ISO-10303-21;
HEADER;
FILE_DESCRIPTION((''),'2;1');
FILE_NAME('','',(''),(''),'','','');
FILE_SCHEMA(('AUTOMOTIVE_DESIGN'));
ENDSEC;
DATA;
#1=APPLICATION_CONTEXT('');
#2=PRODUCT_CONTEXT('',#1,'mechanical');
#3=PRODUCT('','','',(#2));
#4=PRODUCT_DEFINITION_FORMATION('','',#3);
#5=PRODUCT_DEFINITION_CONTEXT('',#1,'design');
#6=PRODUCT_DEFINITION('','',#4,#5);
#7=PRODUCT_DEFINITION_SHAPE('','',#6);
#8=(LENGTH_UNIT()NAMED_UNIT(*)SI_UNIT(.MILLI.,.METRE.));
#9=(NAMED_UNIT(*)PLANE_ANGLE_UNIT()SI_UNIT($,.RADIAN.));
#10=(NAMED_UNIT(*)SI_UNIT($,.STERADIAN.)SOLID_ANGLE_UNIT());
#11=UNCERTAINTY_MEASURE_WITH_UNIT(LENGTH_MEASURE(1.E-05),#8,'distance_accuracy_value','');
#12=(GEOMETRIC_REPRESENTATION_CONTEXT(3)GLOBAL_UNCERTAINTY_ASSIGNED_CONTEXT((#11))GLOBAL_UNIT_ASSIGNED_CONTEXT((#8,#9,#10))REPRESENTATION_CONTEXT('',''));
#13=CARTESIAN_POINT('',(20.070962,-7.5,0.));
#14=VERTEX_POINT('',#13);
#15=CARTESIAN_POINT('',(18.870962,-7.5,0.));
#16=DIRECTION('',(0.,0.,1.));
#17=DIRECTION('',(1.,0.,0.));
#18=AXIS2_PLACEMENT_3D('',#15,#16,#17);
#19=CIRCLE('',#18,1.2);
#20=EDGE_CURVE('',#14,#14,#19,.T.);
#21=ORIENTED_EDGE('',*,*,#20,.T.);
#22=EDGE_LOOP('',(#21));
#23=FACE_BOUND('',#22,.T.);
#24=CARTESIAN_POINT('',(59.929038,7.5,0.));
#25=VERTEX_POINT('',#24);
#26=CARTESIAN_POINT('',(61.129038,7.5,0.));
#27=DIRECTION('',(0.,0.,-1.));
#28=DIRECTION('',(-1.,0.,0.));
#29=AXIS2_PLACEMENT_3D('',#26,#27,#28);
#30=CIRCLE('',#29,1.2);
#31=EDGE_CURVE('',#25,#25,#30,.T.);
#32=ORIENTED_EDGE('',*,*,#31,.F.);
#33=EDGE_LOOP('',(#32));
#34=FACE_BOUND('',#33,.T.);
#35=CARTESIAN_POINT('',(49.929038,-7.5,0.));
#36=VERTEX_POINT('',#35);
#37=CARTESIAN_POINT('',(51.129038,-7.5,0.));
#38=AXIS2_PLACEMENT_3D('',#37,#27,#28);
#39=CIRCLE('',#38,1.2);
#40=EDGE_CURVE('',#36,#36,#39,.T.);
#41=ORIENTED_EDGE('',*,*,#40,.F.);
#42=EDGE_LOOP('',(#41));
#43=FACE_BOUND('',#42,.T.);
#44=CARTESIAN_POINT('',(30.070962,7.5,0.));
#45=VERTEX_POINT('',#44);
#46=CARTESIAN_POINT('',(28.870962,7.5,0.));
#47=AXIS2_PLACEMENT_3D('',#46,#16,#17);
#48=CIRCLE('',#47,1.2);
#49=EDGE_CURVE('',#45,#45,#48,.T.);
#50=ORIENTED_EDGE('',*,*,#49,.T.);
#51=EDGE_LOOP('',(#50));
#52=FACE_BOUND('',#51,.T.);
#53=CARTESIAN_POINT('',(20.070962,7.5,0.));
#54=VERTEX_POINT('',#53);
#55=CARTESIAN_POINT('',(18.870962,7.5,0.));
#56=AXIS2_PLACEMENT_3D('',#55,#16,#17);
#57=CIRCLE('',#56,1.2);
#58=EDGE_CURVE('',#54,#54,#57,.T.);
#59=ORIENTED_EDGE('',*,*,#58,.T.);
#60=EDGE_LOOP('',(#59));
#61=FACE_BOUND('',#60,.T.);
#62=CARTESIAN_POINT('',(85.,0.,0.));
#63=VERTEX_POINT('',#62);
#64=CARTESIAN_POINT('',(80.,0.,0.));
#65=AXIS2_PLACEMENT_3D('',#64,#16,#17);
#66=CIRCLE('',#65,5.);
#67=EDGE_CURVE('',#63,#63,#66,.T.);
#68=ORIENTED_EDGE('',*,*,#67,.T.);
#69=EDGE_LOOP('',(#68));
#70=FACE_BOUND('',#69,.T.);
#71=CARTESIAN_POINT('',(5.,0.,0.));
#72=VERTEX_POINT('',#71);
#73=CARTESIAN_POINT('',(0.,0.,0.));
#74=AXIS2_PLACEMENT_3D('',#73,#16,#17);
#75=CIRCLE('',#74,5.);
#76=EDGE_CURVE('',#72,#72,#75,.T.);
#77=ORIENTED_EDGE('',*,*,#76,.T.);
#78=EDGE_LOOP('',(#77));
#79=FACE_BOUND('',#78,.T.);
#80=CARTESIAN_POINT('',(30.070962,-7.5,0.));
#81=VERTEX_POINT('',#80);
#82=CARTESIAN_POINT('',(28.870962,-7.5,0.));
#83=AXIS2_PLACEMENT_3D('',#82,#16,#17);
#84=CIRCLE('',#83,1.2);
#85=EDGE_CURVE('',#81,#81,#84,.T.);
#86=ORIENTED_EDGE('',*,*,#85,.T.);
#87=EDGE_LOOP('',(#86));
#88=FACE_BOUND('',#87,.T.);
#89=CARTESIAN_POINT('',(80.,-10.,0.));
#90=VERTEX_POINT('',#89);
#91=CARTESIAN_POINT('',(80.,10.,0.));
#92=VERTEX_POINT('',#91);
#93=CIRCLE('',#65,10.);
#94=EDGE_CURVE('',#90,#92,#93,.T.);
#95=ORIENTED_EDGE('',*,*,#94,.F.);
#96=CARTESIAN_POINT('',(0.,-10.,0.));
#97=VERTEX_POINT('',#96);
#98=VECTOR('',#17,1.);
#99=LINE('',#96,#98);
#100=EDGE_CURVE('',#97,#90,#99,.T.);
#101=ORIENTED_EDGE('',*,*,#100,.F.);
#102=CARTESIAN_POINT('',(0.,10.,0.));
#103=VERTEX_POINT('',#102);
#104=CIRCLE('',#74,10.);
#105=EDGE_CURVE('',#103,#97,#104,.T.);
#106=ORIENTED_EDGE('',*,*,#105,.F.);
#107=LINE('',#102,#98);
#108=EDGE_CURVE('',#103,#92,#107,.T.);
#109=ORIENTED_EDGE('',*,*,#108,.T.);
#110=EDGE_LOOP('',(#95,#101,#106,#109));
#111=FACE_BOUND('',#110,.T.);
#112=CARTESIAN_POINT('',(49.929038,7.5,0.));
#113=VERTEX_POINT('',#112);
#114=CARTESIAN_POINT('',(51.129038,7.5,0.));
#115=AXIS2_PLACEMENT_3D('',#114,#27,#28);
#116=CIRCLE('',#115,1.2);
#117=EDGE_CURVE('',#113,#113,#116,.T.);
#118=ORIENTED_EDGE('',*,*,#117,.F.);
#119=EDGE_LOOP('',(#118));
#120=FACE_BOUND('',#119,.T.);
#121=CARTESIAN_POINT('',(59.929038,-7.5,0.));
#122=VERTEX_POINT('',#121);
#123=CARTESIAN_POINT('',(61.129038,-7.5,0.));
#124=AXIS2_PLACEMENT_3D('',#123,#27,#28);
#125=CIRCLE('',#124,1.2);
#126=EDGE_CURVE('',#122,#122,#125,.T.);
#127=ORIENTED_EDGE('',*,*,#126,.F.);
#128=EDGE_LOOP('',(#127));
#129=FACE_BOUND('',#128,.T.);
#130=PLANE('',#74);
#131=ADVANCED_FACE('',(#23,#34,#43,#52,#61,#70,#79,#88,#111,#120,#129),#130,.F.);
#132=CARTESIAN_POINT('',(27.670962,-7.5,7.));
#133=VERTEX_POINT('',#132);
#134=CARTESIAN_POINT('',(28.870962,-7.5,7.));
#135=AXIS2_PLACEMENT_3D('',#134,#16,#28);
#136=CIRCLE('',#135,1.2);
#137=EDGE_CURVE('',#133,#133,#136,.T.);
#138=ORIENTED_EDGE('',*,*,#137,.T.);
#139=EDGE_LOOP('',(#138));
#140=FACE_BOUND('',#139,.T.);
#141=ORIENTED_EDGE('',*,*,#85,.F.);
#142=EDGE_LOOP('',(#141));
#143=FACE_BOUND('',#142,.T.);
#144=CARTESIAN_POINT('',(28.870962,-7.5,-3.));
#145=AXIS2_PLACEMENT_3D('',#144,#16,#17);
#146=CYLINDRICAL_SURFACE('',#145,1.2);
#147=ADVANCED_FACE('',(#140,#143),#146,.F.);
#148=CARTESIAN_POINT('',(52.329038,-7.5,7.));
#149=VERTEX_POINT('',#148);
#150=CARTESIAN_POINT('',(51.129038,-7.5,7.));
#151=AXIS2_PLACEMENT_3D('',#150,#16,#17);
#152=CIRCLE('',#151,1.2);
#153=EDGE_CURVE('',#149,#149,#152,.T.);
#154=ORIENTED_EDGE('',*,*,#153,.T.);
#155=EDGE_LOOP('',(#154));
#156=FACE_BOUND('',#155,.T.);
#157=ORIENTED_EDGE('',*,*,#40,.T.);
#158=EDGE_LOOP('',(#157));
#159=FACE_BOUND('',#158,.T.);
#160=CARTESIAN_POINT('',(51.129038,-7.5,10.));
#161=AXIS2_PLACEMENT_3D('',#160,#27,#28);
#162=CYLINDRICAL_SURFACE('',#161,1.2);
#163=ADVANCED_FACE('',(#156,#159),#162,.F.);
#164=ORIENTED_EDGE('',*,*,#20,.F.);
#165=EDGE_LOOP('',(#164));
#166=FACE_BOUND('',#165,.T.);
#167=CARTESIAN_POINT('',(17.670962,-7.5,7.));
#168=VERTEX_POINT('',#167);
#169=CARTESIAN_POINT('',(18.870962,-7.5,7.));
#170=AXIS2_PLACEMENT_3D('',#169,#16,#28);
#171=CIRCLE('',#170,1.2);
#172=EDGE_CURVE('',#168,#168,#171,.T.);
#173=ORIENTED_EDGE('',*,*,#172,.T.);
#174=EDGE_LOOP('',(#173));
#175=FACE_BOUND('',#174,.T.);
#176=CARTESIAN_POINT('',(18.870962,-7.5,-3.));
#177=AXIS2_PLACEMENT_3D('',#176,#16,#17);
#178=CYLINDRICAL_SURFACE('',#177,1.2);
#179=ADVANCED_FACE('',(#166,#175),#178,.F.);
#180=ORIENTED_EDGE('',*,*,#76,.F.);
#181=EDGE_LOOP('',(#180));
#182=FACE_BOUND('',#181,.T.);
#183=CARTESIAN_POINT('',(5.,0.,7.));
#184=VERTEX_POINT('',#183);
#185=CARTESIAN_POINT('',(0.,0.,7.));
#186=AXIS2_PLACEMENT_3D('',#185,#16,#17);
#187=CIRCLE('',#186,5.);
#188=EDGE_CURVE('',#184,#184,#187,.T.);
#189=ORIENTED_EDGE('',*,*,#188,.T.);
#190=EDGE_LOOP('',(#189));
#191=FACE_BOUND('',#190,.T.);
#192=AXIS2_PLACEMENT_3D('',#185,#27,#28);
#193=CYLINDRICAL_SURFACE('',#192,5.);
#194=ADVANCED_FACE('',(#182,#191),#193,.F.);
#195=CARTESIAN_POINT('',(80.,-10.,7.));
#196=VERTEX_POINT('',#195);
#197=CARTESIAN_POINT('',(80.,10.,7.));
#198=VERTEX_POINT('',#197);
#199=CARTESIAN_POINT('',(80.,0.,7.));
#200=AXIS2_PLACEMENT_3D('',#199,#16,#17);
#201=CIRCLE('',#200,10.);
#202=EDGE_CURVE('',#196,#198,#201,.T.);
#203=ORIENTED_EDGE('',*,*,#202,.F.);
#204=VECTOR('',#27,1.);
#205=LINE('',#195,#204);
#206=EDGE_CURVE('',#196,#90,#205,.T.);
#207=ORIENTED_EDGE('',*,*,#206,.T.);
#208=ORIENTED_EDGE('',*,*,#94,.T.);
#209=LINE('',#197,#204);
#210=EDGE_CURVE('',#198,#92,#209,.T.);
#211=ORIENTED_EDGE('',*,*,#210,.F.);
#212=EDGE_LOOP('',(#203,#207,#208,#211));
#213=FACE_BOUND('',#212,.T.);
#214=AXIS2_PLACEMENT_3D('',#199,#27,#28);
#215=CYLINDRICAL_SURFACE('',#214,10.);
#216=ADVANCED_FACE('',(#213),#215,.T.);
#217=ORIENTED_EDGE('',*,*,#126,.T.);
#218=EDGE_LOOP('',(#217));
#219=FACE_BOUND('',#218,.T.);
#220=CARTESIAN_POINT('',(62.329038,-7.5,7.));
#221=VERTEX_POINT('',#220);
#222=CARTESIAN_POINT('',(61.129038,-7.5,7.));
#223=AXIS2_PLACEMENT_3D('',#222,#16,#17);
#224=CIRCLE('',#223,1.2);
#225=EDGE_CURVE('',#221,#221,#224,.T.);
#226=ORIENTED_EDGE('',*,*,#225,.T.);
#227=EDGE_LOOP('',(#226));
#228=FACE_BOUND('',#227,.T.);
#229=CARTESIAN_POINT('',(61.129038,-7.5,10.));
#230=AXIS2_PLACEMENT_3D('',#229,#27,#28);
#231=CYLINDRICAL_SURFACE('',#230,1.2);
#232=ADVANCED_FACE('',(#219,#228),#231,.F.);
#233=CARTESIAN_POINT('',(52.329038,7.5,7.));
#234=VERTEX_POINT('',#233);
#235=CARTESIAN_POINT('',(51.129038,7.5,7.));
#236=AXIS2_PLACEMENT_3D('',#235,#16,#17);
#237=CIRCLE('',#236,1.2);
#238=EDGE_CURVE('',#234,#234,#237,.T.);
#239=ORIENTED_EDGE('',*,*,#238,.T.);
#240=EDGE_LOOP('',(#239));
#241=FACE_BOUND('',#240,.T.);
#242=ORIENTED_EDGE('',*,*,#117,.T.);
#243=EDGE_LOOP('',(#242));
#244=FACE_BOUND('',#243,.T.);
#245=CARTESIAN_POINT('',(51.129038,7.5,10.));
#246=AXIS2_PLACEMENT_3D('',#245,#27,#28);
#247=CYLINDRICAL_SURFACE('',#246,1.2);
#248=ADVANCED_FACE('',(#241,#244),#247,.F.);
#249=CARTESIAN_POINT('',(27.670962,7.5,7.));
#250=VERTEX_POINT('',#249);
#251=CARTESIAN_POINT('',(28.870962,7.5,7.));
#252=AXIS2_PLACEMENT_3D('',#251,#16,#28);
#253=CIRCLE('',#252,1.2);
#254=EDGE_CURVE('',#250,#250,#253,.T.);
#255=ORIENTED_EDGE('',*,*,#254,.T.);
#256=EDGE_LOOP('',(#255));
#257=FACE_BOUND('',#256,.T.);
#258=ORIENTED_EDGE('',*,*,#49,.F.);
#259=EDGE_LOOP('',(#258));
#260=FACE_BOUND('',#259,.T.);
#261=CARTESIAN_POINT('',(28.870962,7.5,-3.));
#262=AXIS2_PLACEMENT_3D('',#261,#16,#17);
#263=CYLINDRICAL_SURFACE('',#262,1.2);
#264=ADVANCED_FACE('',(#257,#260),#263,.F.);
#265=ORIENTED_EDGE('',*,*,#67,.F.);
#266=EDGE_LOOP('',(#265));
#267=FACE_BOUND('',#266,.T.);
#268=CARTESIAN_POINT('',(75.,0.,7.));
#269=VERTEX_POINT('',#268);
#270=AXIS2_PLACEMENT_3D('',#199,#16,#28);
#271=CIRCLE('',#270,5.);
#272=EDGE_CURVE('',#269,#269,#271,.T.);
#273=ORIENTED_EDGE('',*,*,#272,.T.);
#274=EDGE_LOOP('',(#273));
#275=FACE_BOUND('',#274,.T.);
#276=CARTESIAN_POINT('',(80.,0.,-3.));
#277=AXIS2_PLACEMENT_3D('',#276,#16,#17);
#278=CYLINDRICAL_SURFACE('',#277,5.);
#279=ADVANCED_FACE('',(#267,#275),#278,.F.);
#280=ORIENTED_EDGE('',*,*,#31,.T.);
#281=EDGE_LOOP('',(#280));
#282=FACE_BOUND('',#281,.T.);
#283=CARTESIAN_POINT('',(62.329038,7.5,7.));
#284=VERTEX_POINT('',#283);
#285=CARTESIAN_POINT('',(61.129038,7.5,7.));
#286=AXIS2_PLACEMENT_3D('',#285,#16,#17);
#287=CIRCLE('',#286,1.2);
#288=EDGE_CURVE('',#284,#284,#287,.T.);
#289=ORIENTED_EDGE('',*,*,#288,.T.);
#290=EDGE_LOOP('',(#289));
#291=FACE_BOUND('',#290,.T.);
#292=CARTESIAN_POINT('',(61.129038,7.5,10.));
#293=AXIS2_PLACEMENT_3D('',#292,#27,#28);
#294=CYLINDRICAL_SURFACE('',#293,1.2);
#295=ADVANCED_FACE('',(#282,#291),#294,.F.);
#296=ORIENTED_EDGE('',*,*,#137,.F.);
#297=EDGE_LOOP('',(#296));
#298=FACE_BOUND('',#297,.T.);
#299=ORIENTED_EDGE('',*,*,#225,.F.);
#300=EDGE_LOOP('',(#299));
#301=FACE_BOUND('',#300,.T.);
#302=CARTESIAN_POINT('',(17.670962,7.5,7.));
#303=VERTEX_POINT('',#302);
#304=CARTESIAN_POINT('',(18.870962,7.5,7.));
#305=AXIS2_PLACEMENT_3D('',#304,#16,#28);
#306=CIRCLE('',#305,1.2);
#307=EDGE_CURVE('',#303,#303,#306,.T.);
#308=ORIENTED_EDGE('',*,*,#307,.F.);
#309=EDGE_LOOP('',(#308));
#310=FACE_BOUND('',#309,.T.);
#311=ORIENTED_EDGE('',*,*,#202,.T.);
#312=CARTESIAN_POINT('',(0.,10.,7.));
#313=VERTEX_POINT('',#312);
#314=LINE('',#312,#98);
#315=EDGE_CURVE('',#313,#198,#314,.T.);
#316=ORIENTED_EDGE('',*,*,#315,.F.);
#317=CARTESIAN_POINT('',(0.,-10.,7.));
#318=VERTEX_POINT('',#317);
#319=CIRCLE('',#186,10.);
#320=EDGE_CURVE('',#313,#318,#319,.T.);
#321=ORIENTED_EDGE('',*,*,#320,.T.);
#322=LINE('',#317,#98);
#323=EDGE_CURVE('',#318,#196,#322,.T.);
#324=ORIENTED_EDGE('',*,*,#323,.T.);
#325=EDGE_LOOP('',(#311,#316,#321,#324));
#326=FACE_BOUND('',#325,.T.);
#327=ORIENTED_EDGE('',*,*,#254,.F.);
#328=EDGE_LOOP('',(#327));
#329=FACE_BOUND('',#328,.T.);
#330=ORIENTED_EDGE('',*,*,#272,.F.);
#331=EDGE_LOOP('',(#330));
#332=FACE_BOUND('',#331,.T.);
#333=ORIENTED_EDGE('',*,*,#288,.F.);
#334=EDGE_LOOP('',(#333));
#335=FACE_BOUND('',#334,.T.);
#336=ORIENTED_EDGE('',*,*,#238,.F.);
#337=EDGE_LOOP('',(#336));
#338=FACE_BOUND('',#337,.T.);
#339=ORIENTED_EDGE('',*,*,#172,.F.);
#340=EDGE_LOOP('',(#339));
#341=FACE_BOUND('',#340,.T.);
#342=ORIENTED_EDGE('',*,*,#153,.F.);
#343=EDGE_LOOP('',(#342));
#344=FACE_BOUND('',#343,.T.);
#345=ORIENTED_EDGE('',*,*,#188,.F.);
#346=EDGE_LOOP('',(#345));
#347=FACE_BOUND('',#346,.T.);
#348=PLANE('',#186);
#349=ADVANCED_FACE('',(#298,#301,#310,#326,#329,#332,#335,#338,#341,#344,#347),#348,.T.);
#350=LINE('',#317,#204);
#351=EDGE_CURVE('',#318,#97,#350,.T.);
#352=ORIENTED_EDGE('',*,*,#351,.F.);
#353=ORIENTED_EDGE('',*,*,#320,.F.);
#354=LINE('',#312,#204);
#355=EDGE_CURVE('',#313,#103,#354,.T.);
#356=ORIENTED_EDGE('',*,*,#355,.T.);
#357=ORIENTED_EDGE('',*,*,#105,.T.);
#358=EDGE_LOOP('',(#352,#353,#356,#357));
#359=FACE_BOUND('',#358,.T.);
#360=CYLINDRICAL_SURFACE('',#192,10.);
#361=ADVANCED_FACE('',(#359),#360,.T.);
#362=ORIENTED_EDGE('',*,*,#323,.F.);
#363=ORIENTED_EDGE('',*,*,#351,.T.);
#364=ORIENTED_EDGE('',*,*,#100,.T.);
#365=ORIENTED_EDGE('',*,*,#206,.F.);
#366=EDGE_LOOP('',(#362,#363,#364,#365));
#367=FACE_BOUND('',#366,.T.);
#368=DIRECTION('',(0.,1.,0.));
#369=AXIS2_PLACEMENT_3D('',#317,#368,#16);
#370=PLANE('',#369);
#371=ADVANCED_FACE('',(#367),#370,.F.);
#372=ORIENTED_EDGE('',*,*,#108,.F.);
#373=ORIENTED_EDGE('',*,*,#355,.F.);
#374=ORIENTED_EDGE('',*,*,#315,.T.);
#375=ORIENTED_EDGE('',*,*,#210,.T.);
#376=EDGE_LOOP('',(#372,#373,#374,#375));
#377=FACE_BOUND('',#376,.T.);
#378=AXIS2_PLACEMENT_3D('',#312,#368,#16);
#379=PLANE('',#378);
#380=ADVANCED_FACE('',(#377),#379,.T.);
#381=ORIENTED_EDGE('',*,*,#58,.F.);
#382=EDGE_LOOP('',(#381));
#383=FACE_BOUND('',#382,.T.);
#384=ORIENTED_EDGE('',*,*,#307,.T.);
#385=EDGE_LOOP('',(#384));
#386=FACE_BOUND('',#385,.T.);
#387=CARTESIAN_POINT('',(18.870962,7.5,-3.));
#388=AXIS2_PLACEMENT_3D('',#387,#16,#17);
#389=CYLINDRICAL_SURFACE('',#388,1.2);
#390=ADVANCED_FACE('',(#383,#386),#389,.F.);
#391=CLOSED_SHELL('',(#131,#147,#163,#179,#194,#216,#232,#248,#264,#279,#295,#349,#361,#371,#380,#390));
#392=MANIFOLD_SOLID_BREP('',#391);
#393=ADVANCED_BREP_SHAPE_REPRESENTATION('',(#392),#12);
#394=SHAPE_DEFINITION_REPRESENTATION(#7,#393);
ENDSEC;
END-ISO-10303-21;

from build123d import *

# Parameters (mm, degrees)
SKETCH_1_R          = 10
SKETCH_1_R_2        = 5
EXTRUDE_1_DEPTH     = 7
SKETCH_2_R          = 1.2
CUT_EXTRUDE_1_DEPTH = 10
CUT_EXTRUDE_START   = -10
SKETCH_3_R          = 5
CUT_EXTRUDE_2_DEPTH = 10
SKETCH_4_R          = 1.2
CUT_EXTRUDE_3_DEPTH = 10


with BuildPart() as part:
    # 草图1 → 凸台-拉伸1 (new body)
    # profile 1 of 2: a face of its own
    with BuildSketch(Plane.XY):
        Circle(SKETCH_1_R)
        Circle(SKETCH_1_R_2, mode=Mode.SUBTRACT)
    # profile 2 of 2: a face of its own
    with BuildSketch(Plane.XY):
        with BuildLine():
            Line((80, 10), (0, 10))
            ThreePointArc((0, 10), (7.071067812, 7.071067812), (10, 0))
            ThreePointArc((10, 0), (7.071067812, -7.071067812), (0, -10))
            Line((0, -10), (80, -10))
            ThreePointArc((80, -10), (90, 0), (80, 10))
        make_face()
    extrude(amount=EXTRUDE_1_DEPTH)

    # 草图2 → 切除-拉伸1 (cut)
    with BuildSketch(Plane(origin=(0, 0, 0), x_dir=(-1, 0, 0), z_dir=(0, 0, -1))):
        with Locations((-51.129038153, -7.5)):
            Circle(SKETCH_2_R)
        with Locations((-61.129038153, -7.5)):
            Circle(SKETCH_2_R)
        with Locations((-61.129038153, 7.5)):
            Circle(SKETCH_2_R)
        with Locations((-51.129038153, 7.5)):
            Circle(SKETCH_2_R)
    extrude(amount=-CUT_EXTRUDE_1_DEPTH, mode=Mode.SUBTRACT)

    # 草图3 → 切除-拉伸2 (cut)
    with BuildSketch(Plane.XY.offset(7).offset(CUT_EXTRUDE_START)):
        Circle(SKETCH_3_R)
        with Locations((80, 0)):
            Circle(SKETCH_3_R)
    extrude(amount=CUT_EXTRUDE_2_DEPTH, mode=Mode.SUBTRACT)

    # 草图4 → 切除-拉伸3 (cut)
    with BuildSketch(Plane.XY.offset(7).offset(CUT_EXTRUDE_START)):
        with Locations(Location((61.129038153, 7.5, 0), (0, 0, 180))):
            Circle(SKETCH_4_R)
        with Locations(Location((61.129038153, -7.5, 0), (0, 0, 180))):
            Circle(SKETCH_4_R)
        with Locations(Location((51.129038153, -7.5, 0), (0, 0, 180))):
            Circle(SKETCH_4_R)
        with Locations(Location((51.129038153, 7.5, 0), (0, 0, 180))):
            Circle(SKETCH_4_R)
        with Locations((28.870961847, 7.5)):
            Circle(SKETCH_4_R)
        with Locations((28.870961847, -7.5)):
            Circle(SKETCH_4_R)
        with Locations((18.870961847, -7.5)):
            Circle(SKETCH_4_R)
        with Locations((18.870961847, 7.5)):
            Circle(SKETCH_4_R)
    extrude(amount=CUT_EXTRUDE_3_DEPTH, mode=Mode.SUBTRACT)


solid = part.part
